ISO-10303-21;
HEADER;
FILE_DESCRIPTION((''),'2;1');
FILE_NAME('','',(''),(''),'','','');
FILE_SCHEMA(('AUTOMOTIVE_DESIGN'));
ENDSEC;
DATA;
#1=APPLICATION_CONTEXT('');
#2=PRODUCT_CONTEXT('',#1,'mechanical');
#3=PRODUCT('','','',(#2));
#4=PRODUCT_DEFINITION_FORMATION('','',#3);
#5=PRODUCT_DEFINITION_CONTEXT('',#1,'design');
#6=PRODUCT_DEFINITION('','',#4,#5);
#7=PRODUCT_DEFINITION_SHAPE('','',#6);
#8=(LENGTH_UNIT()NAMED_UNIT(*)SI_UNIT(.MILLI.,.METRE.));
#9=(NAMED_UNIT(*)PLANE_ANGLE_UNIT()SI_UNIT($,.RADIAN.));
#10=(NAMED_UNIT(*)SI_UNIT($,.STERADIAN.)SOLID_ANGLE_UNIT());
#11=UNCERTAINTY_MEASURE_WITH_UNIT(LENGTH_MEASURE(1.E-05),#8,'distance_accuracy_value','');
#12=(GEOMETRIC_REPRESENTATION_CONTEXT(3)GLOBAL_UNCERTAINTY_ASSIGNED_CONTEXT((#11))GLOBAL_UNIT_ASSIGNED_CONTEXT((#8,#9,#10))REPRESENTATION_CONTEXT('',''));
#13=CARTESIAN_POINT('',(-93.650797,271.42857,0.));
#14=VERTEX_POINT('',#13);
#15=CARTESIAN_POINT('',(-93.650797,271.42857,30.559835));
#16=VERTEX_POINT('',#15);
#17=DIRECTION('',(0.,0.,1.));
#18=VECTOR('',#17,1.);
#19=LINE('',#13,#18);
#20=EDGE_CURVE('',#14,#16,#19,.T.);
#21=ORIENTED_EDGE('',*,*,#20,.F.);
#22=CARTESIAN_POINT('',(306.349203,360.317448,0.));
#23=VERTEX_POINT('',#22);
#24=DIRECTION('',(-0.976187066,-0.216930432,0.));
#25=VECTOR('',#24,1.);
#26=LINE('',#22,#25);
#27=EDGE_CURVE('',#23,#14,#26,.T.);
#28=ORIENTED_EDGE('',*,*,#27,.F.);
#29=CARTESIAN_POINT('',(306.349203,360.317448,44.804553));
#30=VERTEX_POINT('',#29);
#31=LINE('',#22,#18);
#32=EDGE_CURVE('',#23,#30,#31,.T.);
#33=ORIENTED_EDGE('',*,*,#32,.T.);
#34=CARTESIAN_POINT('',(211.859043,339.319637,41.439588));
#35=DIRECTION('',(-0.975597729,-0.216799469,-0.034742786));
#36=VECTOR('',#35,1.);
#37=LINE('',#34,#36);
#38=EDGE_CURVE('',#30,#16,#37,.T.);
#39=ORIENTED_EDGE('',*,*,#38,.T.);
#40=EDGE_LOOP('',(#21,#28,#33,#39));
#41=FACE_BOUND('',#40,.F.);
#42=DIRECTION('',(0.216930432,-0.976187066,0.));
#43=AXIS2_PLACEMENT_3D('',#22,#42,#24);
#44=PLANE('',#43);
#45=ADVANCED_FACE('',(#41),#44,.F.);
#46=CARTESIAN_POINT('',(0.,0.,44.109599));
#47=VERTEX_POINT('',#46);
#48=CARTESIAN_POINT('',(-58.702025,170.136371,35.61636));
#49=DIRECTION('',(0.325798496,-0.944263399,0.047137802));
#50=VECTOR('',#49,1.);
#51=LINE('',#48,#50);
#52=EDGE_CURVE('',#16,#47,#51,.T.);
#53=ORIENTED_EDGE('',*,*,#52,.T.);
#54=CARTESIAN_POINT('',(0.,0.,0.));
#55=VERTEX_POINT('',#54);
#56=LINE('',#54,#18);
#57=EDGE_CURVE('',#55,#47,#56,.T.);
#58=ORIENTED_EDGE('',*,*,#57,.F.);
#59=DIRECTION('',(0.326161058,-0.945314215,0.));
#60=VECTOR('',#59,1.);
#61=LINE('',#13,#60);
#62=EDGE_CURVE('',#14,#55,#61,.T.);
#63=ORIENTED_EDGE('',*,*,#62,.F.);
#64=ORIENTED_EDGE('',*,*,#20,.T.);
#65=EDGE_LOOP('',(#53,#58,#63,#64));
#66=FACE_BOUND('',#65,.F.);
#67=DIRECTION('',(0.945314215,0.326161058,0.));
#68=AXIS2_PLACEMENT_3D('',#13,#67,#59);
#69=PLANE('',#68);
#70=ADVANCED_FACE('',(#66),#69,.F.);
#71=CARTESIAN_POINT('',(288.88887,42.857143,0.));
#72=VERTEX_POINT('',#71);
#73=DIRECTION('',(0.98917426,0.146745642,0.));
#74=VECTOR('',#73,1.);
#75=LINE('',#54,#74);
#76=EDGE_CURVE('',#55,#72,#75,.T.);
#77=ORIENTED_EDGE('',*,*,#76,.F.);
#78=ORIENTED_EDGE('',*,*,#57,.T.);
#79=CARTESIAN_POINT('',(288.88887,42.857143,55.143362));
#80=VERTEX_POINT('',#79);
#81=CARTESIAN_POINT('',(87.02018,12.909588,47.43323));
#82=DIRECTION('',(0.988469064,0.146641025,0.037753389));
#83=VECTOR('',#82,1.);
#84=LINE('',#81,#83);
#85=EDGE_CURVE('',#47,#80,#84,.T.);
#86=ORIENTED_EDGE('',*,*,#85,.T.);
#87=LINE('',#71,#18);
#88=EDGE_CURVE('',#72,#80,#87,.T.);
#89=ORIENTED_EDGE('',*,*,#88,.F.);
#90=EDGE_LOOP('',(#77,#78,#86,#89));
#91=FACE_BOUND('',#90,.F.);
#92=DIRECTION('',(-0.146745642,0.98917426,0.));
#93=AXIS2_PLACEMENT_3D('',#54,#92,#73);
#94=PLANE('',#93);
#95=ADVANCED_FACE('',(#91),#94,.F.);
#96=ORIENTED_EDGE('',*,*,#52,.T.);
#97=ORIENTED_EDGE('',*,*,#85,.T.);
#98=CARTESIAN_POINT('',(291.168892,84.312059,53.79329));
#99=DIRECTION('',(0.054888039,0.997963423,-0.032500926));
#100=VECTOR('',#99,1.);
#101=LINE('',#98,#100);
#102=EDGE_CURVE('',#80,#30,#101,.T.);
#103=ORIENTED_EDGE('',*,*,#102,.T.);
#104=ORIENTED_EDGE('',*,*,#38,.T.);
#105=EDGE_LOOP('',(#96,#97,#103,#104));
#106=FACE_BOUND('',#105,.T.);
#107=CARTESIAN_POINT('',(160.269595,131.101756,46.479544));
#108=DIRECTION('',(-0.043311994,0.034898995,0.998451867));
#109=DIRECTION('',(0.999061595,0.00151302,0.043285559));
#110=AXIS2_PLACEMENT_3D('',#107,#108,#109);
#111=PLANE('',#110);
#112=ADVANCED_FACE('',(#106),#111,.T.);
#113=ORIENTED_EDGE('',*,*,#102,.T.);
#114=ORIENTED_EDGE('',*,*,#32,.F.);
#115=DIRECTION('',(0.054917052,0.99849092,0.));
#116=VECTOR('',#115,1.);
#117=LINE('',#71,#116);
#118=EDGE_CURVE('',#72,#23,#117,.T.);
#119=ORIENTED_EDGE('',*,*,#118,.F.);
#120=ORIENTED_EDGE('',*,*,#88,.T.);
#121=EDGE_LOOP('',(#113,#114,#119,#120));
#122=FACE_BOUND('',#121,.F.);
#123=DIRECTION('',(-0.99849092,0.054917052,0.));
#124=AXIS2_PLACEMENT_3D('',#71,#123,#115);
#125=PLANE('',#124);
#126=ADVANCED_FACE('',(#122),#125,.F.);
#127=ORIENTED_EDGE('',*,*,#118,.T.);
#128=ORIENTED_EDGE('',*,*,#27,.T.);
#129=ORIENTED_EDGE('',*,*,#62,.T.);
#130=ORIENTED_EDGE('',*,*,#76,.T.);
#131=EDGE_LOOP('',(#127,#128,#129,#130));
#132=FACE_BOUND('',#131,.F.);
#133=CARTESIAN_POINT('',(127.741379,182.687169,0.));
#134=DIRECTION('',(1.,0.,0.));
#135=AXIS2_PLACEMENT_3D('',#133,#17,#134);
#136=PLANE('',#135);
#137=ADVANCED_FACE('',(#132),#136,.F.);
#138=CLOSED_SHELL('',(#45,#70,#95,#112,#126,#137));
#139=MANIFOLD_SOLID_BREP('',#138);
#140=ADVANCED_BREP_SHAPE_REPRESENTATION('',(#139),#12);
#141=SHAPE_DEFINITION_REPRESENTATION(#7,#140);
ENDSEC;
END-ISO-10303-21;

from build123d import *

# Parameters (mm, degrees)
F1_DEPTH = 60
F4_W     = 540.54229
F4_H     = 555.940762
F5_DEPTH = 60


with BuildPart() as f1:
    # F0 (on Top) → F1 (new body)
    with BuildSketch(Plane.XY):
        Polygon((-93.650797, 271.42857), (0, 0), (288.88887, 42.857143), (306.349203, 360.317448), align=None)
    extrude(amount=F1_DEPTH)

    # F4 (on face) → F5 (cut)
    with BuildSketch(Plane(origin=(-1.90751, 1.53702, 43.973129), x_dir=(0.999062, 0.001513, 0.043285), z_dir=(-0.043312, 0.034899, 0.998452))):
        with Locations((162.329443, 129.3981)):
            Rectangle(F4_W, F4_H)
    extrude(amount=F5_DEPTH, mode=Mode.SUBTRACT)


solid = f1.part
